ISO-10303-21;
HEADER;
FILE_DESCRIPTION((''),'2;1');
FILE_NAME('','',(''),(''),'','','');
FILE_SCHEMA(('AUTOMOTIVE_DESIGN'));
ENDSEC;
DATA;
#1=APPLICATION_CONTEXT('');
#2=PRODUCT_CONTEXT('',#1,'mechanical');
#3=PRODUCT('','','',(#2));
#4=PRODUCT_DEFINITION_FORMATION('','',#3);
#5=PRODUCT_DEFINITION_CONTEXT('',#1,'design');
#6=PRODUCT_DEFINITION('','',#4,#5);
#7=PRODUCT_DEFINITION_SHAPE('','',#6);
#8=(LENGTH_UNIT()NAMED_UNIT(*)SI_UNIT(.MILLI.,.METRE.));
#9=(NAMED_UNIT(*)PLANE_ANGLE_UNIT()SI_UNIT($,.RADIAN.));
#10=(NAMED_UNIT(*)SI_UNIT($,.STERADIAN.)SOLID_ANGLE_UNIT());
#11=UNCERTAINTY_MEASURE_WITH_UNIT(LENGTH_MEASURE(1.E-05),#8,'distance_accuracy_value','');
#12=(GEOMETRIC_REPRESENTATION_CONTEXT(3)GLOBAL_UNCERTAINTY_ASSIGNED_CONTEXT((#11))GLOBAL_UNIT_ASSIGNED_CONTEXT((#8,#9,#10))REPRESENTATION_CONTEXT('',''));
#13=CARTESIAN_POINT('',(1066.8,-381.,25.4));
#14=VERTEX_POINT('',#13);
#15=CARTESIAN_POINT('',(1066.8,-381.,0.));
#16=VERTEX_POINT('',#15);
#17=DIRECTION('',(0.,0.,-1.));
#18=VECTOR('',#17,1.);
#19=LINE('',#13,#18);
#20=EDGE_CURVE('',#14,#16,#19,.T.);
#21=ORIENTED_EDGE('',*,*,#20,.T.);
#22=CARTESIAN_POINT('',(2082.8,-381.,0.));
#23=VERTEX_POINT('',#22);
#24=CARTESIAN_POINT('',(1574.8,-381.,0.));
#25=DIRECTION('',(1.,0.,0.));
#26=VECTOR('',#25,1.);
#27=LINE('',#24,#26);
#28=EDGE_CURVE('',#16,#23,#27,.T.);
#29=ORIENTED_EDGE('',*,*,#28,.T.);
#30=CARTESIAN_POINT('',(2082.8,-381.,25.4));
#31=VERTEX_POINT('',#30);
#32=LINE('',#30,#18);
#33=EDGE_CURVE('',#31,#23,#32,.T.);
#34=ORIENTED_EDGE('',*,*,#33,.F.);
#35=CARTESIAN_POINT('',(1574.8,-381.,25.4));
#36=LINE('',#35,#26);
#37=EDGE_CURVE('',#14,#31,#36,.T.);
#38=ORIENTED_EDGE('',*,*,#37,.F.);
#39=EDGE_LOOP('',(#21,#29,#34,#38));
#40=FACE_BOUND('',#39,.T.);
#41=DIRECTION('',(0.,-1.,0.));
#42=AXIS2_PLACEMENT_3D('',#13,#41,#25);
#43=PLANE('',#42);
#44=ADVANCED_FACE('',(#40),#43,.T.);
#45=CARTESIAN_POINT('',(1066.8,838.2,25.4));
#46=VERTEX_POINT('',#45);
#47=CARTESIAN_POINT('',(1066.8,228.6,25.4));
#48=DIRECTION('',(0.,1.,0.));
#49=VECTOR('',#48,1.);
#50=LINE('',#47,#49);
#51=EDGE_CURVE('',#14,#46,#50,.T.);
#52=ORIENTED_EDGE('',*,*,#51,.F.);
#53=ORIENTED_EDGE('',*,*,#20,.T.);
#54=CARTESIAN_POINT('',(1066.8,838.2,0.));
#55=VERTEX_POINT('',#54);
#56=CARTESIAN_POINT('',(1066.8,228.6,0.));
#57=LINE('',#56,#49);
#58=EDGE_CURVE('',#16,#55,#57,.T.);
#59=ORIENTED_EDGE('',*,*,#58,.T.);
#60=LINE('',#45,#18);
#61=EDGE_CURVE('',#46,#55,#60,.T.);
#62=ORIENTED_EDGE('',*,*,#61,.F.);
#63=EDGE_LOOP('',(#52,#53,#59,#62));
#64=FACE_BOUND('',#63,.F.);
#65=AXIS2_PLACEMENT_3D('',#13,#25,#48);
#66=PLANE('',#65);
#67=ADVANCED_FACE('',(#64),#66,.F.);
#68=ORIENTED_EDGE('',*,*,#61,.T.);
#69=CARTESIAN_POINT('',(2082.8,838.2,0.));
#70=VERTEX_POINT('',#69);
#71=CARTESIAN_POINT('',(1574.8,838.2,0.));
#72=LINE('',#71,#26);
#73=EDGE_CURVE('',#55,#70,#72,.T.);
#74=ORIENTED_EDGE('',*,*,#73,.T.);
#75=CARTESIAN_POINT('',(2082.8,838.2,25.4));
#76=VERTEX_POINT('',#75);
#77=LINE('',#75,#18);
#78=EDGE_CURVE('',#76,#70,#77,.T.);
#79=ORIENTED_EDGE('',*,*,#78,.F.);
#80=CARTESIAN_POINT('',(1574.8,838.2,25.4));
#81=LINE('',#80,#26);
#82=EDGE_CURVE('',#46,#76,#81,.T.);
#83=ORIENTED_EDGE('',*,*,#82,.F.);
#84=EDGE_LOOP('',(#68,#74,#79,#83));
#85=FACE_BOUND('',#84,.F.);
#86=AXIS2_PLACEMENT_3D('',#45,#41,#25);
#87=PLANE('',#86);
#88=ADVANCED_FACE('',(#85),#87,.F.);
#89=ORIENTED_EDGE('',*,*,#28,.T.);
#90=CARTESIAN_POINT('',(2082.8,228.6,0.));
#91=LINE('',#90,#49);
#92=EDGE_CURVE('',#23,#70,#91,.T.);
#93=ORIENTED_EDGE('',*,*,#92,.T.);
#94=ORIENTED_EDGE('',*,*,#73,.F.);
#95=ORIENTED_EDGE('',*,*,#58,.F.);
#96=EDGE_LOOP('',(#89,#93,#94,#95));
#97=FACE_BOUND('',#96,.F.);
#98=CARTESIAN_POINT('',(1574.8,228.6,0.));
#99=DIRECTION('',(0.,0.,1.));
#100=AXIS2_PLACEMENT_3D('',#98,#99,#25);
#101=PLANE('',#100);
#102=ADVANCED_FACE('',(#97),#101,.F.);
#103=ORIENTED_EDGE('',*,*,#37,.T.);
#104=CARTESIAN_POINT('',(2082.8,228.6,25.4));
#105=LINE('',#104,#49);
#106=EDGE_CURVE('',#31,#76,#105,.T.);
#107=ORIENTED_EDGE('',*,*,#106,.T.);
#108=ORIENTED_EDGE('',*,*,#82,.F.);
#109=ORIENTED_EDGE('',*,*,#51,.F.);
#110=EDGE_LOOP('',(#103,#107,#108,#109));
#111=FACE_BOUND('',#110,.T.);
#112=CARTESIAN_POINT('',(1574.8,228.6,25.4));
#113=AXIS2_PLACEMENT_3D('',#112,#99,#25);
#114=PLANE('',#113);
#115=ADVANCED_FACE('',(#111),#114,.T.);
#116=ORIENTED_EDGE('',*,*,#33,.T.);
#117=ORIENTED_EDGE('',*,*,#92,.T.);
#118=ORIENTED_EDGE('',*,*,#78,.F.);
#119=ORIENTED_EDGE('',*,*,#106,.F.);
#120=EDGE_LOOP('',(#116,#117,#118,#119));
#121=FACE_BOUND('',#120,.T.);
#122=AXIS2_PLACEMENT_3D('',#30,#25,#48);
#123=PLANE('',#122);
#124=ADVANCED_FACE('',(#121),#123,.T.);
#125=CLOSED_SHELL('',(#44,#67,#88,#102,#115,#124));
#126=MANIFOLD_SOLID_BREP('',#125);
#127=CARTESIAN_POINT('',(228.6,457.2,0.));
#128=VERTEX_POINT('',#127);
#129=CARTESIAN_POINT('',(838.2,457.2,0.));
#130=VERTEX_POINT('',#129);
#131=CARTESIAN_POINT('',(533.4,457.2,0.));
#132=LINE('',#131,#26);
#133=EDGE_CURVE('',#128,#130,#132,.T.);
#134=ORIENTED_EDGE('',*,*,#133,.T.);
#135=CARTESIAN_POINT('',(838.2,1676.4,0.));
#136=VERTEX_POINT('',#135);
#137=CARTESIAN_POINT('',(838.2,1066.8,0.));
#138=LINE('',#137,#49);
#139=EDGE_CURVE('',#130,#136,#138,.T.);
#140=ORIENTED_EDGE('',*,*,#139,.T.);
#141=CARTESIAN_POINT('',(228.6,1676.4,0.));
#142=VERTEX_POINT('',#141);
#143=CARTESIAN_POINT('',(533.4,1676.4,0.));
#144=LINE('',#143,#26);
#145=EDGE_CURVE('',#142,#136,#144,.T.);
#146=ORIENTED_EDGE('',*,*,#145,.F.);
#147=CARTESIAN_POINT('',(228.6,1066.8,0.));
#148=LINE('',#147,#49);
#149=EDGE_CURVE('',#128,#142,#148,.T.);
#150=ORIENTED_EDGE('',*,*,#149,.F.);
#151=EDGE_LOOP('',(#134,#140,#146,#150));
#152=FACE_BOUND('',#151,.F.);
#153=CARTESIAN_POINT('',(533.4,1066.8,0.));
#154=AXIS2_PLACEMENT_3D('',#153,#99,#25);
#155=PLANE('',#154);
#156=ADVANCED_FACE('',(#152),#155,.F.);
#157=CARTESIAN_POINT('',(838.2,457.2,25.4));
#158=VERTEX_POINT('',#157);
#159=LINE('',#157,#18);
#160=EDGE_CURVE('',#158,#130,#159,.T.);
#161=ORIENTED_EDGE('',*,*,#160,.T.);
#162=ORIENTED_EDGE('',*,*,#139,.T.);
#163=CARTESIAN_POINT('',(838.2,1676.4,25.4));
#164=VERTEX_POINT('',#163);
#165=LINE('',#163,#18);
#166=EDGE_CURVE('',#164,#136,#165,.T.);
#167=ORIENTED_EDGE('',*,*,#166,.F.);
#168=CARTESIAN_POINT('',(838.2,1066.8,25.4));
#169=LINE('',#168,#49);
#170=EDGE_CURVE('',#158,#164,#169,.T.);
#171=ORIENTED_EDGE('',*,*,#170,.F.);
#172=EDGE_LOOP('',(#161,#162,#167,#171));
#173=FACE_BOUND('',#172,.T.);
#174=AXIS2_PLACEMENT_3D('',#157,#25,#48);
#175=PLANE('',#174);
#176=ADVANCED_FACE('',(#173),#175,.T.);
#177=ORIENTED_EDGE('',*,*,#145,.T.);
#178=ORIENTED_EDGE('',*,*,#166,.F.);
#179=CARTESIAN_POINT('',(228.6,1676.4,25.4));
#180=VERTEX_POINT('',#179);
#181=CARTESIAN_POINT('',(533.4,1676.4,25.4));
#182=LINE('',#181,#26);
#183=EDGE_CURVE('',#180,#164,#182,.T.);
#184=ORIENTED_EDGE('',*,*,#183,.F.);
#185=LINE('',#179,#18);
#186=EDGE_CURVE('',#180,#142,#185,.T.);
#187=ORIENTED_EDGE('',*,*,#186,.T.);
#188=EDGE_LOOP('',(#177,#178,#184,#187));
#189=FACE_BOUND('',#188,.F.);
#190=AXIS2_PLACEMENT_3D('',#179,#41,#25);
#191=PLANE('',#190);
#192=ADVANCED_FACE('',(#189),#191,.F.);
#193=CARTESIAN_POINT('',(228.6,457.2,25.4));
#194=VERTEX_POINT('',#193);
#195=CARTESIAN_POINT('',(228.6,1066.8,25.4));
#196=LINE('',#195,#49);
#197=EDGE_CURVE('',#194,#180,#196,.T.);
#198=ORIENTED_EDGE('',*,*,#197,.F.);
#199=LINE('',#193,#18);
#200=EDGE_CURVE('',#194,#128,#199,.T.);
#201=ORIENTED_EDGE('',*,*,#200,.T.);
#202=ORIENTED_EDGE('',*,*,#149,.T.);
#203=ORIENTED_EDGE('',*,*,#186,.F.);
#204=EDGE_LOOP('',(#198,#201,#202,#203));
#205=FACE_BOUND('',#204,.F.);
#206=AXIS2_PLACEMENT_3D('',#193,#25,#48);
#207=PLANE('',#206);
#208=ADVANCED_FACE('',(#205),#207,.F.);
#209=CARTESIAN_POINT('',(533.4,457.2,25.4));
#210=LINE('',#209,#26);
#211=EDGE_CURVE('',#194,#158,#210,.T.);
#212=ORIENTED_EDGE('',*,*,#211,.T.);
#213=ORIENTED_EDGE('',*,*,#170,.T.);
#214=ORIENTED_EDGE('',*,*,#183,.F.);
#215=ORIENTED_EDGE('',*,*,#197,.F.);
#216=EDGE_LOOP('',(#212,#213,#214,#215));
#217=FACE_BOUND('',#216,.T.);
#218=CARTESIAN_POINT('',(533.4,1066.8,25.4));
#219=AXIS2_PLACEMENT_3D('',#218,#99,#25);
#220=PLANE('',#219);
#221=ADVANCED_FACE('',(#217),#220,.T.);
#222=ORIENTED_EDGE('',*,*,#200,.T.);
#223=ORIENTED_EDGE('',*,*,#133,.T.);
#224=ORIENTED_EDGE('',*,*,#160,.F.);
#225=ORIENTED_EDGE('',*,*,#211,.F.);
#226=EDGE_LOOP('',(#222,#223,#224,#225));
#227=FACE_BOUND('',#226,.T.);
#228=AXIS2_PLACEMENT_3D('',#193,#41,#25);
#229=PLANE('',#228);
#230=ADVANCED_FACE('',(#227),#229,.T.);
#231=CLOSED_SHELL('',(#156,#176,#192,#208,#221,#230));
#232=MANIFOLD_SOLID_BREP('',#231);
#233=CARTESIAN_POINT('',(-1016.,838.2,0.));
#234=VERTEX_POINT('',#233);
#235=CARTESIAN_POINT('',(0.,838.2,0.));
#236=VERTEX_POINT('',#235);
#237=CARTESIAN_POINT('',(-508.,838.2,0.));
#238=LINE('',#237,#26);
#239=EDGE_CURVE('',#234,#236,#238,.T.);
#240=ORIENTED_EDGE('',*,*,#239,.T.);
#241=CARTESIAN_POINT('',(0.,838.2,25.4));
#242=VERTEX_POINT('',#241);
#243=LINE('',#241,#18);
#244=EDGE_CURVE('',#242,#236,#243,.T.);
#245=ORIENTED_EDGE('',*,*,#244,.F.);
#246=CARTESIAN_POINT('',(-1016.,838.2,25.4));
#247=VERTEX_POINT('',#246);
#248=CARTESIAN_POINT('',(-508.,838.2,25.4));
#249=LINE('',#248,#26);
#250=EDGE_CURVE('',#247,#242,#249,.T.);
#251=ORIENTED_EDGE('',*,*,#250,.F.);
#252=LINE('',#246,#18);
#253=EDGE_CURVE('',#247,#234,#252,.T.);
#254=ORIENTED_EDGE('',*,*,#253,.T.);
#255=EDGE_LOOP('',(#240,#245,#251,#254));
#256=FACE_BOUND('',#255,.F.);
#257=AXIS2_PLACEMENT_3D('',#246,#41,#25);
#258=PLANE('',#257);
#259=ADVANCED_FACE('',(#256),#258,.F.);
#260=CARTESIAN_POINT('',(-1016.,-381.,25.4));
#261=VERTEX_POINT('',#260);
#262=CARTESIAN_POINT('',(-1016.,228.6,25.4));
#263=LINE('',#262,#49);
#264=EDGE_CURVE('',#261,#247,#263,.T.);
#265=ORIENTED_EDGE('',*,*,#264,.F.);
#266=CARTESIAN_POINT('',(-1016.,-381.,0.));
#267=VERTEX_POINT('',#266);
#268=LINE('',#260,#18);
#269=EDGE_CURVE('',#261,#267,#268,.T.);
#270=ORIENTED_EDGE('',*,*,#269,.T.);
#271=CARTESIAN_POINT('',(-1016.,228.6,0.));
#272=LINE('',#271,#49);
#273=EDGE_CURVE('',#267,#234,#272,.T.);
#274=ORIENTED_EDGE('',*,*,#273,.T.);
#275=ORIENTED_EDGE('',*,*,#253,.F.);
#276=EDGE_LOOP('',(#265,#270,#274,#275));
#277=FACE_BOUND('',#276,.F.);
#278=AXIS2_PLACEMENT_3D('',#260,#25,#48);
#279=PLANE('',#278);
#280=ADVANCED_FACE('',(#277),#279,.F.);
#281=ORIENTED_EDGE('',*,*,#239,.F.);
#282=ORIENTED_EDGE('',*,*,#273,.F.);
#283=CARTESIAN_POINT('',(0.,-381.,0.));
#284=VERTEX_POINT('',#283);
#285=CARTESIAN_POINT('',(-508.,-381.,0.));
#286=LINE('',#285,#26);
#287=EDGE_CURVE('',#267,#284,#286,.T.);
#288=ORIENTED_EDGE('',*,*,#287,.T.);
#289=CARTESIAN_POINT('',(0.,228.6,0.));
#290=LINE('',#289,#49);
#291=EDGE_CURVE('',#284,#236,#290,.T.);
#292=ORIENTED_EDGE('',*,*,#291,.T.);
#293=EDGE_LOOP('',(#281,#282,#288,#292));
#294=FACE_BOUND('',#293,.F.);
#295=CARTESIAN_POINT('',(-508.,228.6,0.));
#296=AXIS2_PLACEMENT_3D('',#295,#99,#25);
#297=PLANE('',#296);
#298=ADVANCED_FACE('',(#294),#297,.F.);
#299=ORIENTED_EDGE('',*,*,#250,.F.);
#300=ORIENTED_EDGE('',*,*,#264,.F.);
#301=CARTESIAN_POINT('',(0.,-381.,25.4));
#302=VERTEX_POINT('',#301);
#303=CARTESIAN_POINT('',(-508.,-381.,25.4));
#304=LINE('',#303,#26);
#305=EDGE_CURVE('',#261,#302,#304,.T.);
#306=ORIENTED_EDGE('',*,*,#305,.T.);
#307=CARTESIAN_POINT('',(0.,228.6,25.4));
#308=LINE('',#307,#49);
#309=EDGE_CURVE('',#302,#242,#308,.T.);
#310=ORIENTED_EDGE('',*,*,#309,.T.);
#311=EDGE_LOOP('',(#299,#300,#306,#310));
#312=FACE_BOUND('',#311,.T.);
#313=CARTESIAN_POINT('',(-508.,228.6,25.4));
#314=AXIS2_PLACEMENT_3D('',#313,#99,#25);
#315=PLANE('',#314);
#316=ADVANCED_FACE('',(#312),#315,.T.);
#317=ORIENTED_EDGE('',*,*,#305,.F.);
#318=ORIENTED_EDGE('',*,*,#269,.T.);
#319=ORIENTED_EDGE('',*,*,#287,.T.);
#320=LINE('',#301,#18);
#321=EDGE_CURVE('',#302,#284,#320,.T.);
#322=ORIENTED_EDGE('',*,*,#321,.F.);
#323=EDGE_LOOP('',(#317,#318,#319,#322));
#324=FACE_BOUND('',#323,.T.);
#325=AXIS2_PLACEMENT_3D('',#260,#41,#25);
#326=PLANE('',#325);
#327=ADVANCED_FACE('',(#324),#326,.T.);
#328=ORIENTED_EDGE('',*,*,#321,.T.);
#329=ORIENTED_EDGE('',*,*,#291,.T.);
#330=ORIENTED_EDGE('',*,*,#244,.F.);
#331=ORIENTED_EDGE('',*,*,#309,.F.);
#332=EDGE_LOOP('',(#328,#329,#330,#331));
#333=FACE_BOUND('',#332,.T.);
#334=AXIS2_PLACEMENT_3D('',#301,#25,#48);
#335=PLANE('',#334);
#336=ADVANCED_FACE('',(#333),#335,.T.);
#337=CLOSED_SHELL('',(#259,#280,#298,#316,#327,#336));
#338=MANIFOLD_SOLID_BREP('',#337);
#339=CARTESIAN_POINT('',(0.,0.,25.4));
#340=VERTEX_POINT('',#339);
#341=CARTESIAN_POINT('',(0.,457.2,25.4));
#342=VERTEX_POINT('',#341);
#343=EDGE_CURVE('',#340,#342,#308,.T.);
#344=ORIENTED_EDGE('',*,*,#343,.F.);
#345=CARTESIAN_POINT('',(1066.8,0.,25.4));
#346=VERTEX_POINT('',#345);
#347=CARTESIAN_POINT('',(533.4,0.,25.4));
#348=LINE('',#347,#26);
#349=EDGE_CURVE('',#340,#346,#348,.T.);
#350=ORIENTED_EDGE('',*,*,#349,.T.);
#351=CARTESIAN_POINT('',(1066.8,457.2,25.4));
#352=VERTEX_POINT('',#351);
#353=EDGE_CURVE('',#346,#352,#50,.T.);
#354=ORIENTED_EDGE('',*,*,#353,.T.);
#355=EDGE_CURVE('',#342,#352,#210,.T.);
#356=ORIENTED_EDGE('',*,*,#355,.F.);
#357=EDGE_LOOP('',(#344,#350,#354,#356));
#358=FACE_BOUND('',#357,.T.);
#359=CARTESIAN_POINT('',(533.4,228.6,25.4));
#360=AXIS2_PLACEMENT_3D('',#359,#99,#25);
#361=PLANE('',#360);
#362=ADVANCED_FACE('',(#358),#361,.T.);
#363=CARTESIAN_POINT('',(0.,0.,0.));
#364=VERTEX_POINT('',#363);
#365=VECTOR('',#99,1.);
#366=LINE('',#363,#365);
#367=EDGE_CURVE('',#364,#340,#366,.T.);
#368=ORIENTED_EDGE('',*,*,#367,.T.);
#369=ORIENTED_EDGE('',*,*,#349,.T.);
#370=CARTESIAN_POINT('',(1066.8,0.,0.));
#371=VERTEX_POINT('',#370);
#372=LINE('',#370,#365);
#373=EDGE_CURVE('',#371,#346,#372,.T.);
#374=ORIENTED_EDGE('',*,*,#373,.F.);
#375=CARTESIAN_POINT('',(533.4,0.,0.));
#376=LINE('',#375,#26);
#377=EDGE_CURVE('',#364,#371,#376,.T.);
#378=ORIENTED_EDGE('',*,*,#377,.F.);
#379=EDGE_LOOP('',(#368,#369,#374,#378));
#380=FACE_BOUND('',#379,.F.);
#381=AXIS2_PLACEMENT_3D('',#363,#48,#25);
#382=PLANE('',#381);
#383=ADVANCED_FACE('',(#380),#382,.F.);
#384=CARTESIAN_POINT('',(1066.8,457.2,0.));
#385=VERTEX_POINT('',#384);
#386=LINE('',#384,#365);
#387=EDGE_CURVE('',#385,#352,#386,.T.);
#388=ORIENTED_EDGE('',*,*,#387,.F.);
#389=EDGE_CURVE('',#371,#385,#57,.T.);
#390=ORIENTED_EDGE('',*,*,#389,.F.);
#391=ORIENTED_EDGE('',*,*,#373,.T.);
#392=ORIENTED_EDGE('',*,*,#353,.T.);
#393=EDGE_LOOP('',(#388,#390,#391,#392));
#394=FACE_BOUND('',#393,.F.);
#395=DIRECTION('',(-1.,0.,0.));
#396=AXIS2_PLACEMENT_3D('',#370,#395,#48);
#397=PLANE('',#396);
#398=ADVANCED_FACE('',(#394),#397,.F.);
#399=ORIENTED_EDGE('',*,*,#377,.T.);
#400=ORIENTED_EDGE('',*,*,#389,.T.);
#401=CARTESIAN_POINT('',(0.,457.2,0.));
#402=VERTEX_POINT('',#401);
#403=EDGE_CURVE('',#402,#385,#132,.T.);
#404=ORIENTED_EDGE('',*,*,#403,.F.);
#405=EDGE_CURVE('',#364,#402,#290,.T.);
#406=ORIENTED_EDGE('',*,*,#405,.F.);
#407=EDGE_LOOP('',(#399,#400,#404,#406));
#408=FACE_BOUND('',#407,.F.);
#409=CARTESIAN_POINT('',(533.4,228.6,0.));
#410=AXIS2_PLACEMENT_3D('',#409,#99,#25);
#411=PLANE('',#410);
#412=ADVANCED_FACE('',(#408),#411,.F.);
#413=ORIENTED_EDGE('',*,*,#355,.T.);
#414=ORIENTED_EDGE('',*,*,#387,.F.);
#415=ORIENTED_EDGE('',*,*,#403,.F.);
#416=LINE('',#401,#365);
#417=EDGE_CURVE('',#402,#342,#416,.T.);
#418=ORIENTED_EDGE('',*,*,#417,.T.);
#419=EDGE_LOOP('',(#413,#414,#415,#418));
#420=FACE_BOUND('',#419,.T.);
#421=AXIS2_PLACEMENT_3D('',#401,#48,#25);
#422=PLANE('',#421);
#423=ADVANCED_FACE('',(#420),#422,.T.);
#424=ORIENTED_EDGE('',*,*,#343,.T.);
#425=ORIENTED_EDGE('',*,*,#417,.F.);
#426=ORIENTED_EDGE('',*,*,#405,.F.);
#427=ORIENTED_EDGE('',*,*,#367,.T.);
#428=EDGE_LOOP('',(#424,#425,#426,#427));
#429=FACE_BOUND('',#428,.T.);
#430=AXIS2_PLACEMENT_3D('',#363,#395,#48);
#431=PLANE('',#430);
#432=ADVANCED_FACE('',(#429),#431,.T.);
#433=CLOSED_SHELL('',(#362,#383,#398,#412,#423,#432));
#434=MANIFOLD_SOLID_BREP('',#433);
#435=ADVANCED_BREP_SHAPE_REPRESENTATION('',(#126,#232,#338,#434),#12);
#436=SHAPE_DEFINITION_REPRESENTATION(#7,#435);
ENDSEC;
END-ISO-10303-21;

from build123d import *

# Parameters (mm, degrees)
F0_W     = 1066.8
F0_H     = 457.2
F1_DEPTH = 25.4
F2_W     = 1016
F2_H     = 1219.2
F3_DEPTH = 25.4
F4_W     = 609.6
F4_H     = 1219.2
F5_DEPTH = 25.4


with BuildPart() as f1:
    # F0 (on Top) → F1 (new body)
    with BuildSketch(Plane.XY):
        with Locations((533.4, 228.6)):
            Rectangle(F0_W, F0_H)
    extrude(amount=F1_DEPTH)


with BuildPart() as f3:
    # F2 (on face) → F3 (new body)
    with BuildSketch(Plane.XY.offset(25.4)):
        with Locations((-508, 228.6)):
            Rectangle(F2_W, F2_H)
        with Locations((1574.8, 228.6)):
            Rectangle(F2_W, F2_H)
    extrude(amount=-F3_DEPTH)


with BuildPart() as f5:
    # F4 (on face) → F5 (new body)
    with BuildSketch(Plane.XY.offset(25.4)):
        with Locations((533.4, 1066.8)):
            Rectangle(F4_W, F4_H)
    extrude(amount=-F5_DEPTH)


solid = Compound([f1.part, f3.part, f5.part])
